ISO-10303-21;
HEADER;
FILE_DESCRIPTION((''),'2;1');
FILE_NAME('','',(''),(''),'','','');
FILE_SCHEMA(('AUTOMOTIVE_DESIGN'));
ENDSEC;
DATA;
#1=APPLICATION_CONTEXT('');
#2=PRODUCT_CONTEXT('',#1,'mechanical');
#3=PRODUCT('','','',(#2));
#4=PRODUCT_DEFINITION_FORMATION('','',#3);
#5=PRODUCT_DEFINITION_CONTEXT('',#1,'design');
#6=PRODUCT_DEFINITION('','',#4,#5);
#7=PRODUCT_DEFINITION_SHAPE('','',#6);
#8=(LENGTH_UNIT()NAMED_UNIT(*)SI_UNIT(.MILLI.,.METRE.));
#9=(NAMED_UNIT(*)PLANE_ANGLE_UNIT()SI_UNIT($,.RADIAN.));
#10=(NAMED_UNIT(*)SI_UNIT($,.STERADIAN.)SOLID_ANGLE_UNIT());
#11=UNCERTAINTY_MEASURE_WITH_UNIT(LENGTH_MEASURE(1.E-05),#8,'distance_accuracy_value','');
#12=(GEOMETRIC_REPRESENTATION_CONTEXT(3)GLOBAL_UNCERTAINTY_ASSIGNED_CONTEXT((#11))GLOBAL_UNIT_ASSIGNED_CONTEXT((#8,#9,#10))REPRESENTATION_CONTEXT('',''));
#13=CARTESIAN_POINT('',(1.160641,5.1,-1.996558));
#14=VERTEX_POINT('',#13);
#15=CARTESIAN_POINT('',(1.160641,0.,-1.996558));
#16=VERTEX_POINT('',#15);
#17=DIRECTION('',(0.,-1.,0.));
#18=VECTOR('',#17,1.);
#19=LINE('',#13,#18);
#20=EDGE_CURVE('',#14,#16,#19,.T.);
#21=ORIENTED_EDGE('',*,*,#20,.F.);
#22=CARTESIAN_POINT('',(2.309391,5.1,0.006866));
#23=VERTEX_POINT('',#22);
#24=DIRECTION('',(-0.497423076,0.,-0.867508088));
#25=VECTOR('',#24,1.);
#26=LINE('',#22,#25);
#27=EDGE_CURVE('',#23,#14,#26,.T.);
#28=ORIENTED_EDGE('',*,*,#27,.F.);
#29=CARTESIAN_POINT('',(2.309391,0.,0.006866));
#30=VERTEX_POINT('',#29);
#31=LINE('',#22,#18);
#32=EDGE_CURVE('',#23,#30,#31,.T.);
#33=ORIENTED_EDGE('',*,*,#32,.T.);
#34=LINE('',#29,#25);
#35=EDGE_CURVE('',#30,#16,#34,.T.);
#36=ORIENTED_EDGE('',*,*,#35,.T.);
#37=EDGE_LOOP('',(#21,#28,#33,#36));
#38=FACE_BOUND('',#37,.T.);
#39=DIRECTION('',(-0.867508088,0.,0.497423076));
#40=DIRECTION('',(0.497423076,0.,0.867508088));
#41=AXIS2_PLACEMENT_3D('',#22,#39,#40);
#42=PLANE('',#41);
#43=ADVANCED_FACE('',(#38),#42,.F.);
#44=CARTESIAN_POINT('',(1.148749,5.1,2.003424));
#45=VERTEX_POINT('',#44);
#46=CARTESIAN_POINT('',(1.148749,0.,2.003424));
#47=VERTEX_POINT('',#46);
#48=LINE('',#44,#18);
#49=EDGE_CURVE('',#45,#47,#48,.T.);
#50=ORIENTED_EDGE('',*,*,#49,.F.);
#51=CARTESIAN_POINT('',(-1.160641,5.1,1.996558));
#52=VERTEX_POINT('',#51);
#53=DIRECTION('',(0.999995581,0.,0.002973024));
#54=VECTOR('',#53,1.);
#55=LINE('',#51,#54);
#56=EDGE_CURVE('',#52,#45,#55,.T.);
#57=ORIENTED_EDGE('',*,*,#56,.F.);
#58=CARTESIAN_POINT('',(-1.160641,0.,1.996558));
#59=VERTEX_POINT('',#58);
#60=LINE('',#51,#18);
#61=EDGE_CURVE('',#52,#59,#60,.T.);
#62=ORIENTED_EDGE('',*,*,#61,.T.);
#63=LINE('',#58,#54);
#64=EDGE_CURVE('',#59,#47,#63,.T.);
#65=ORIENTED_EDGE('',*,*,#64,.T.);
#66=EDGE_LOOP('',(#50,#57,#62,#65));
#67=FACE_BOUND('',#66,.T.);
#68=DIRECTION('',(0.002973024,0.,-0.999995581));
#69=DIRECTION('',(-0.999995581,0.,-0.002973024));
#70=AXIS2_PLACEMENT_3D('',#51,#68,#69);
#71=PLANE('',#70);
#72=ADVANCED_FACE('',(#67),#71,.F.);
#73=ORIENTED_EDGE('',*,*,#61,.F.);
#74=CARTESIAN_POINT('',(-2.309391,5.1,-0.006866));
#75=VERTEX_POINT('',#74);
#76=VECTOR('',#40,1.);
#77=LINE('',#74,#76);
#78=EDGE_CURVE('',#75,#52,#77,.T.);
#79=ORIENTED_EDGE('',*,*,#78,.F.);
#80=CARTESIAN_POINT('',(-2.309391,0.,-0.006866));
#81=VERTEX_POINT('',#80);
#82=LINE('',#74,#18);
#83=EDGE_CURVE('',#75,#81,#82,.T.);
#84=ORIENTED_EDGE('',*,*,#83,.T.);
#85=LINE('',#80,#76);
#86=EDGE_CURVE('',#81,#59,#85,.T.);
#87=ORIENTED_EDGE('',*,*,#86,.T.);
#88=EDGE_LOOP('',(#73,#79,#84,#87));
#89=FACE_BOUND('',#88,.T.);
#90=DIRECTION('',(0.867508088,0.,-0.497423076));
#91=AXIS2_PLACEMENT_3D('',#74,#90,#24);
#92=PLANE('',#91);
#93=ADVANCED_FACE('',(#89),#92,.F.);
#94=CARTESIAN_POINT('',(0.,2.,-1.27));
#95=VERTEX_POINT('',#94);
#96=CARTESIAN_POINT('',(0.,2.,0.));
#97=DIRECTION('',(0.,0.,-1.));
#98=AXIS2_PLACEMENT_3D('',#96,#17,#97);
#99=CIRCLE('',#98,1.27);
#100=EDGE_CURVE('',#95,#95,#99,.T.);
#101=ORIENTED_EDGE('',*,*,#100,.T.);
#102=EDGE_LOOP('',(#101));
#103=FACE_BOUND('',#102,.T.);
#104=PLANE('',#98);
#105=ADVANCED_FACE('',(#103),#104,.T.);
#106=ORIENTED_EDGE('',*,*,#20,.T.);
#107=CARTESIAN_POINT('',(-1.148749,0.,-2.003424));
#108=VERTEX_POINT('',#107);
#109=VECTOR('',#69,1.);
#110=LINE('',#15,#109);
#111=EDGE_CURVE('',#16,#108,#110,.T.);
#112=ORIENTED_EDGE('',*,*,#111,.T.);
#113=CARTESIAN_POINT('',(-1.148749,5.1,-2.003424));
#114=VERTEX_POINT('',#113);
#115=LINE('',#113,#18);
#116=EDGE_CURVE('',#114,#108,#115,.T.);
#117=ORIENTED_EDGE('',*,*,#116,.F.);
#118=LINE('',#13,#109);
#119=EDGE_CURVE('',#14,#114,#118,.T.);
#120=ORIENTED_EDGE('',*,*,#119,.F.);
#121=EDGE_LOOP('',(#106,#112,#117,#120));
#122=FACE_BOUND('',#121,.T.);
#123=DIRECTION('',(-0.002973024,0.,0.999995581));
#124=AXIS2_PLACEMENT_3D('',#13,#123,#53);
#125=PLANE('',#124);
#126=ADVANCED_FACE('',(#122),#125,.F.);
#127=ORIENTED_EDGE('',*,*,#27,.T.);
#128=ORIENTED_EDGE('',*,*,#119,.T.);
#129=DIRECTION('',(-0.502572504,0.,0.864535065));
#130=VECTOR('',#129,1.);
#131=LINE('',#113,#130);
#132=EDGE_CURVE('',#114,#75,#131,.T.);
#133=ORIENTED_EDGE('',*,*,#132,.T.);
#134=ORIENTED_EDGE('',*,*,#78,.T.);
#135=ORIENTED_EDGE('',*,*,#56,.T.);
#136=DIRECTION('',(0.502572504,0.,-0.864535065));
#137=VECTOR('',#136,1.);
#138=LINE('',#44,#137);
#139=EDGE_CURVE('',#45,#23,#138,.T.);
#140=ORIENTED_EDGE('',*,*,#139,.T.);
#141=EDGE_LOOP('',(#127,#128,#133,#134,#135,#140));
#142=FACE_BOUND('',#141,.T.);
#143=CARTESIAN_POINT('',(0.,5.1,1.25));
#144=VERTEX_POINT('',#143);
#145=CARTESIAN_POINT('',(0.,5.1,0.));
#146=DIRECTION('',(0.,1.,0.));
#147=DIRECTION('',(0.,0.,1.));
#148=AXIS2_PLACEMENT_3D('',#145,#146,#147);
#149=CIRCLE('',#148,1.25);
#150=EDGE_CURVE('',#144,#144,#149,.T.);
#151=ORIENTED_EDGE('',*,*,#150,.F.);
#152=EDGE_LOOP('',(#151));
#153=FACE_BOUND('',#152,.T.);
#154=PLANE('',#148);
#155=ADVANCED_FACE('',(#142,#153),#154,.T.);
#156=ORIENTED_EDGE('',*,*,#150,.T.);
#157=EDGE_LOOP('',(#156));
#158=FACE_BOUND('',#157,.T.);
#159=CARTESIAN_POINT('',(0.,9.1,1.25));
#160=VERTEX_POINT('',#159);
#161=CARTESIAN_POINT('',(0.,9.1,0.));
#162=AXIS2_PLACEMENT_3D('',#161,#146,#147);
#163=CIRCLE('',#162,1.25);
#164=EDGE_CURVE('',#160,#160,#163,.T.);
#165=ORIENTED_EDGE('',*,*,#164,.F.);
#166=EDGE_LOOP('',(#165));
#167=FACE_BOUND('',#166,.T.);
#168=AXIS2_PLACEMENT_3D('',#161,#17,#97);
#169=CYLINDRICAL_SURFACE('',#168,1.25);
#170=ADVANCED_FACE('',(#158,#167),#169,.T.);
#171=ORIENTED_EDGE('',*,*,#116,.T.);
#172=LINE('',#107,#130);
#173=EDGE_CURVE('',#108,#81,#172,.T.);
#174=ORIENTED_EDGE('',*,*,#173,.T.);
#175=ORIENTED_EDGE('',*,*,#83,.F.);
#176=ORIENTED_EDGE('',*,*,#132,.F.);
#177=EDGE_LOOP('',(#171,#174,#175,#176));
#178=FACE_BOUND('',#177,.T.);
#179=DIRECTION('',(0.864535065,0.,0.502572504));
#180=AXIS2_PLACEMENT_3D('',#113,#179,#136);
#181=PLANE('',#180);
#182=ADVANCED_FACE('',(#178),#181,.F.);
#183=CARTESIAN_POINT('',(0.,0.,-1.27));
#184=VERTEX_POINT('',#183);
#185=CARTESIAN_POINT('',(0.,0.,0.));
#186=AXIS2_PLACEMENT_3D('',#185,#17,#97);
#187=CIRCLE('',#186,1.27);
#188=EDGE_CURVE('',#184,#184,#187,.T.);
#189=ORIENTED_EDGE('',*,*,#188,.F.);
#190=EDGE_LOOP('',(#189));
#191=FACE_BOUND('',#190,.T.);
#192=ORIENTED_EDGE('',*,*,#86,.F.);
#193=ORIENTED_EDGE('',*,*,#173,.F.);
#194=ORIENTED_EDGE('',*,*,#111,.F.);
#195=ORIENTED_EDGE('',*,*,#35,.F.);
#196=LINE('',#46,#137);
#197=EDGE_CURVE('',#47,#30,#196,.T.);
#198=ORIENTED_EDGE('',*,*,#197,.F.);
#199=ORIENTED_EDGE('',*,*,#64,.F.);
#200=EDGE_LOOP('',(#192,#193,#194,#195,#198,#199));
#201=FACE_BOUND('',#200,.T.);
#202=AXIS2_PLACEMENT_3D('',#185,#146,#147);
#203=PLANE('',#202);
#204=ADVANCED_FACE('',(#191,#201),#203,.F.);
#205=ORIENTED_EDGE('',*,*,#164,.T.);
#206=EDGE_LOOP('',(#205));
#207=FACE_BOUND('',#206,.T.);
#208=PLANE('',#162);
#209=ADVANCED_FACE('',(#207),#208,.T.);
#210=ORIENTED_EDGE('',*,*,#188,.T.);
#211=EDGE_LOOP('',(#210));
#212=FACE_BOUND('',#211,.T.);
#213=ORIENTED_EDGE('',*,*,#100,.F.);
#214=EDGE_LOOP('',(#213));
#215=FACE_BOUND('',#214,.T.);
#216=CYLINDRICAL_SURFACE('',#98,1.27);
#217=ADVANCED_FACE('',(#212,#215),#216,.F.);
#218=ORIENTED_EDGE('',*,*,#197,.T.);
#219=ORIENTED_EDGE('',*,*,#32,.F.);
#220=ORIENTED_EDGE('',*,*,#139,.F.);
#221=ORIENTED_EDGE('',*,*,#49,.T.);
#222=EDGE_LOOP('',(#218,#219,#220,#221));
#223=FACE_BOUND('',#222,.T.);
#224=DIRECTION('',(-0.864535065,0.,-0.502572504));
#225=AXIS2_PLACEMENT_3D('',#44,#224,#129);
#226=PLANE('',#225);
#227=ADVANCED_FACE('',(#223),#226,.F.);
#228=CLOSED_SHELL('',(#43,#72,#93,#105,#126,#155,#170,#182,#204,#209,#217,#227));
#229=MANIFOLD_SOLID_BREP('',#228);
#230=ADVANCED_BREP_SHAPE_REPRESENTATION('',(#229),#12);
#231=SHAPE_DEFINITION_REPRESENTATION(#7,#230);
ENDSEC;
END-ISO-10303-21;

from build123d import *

# Parameters (mm, degrees)
BOSS_EXTRUDE1_DEPTH = 5.1
SKETCH2_R           = 1.25
BOSS_EXTRUDE2_DEPTH = 4
SKETCH3_R           = 1.27
CUT_EXTRUDE1_DEPTH  = 2


with BuildPart() as part:
    # Sketch1 → Boss-Extrude1 (new body)
    with BuildSketch(Plane(origin=(0, 0, 0), x_dir=(1, 0, 0), z_dir=(0, 1, 0))):
        Polygon((1.160641483, 1.996558209), (-1.148749388, 2.003424113), (-2.30939087, 0.006865904), (-1.160641483, -1.996558209), (1.148749388, -2.003424113), (2.30939087, -0.006865904), align=None)
    extrude(amount=BOSS_EXTRUDE1_DEPTH)

    # Sketch2 → Boss-Extrude2 (add)
    with BuildSketch(Plane(origin=(0, 5.1, 0), x_dir=(1, 0, 0), z_dir=(0, 1, 0))):
        with Locations(Location((0, 0, 0), (0, 0, 270))):
            Circle(SKETCH2_R)
    extrude(amount=BOSS_EXTRUDE2_DEPTH)

    # Sketch3 → Cut-Extrude1 (cut)
    with BuildSketch(Plane.XZ):
        with Locations(Location((0, 0, 0), (0, 0, 270))):
            Circle(SKETCH3_R)
    extrude(amount=-CUT_EXTRUDE1_DEPTH, mode=Mode.SUBTRACT)


solid = part.part
